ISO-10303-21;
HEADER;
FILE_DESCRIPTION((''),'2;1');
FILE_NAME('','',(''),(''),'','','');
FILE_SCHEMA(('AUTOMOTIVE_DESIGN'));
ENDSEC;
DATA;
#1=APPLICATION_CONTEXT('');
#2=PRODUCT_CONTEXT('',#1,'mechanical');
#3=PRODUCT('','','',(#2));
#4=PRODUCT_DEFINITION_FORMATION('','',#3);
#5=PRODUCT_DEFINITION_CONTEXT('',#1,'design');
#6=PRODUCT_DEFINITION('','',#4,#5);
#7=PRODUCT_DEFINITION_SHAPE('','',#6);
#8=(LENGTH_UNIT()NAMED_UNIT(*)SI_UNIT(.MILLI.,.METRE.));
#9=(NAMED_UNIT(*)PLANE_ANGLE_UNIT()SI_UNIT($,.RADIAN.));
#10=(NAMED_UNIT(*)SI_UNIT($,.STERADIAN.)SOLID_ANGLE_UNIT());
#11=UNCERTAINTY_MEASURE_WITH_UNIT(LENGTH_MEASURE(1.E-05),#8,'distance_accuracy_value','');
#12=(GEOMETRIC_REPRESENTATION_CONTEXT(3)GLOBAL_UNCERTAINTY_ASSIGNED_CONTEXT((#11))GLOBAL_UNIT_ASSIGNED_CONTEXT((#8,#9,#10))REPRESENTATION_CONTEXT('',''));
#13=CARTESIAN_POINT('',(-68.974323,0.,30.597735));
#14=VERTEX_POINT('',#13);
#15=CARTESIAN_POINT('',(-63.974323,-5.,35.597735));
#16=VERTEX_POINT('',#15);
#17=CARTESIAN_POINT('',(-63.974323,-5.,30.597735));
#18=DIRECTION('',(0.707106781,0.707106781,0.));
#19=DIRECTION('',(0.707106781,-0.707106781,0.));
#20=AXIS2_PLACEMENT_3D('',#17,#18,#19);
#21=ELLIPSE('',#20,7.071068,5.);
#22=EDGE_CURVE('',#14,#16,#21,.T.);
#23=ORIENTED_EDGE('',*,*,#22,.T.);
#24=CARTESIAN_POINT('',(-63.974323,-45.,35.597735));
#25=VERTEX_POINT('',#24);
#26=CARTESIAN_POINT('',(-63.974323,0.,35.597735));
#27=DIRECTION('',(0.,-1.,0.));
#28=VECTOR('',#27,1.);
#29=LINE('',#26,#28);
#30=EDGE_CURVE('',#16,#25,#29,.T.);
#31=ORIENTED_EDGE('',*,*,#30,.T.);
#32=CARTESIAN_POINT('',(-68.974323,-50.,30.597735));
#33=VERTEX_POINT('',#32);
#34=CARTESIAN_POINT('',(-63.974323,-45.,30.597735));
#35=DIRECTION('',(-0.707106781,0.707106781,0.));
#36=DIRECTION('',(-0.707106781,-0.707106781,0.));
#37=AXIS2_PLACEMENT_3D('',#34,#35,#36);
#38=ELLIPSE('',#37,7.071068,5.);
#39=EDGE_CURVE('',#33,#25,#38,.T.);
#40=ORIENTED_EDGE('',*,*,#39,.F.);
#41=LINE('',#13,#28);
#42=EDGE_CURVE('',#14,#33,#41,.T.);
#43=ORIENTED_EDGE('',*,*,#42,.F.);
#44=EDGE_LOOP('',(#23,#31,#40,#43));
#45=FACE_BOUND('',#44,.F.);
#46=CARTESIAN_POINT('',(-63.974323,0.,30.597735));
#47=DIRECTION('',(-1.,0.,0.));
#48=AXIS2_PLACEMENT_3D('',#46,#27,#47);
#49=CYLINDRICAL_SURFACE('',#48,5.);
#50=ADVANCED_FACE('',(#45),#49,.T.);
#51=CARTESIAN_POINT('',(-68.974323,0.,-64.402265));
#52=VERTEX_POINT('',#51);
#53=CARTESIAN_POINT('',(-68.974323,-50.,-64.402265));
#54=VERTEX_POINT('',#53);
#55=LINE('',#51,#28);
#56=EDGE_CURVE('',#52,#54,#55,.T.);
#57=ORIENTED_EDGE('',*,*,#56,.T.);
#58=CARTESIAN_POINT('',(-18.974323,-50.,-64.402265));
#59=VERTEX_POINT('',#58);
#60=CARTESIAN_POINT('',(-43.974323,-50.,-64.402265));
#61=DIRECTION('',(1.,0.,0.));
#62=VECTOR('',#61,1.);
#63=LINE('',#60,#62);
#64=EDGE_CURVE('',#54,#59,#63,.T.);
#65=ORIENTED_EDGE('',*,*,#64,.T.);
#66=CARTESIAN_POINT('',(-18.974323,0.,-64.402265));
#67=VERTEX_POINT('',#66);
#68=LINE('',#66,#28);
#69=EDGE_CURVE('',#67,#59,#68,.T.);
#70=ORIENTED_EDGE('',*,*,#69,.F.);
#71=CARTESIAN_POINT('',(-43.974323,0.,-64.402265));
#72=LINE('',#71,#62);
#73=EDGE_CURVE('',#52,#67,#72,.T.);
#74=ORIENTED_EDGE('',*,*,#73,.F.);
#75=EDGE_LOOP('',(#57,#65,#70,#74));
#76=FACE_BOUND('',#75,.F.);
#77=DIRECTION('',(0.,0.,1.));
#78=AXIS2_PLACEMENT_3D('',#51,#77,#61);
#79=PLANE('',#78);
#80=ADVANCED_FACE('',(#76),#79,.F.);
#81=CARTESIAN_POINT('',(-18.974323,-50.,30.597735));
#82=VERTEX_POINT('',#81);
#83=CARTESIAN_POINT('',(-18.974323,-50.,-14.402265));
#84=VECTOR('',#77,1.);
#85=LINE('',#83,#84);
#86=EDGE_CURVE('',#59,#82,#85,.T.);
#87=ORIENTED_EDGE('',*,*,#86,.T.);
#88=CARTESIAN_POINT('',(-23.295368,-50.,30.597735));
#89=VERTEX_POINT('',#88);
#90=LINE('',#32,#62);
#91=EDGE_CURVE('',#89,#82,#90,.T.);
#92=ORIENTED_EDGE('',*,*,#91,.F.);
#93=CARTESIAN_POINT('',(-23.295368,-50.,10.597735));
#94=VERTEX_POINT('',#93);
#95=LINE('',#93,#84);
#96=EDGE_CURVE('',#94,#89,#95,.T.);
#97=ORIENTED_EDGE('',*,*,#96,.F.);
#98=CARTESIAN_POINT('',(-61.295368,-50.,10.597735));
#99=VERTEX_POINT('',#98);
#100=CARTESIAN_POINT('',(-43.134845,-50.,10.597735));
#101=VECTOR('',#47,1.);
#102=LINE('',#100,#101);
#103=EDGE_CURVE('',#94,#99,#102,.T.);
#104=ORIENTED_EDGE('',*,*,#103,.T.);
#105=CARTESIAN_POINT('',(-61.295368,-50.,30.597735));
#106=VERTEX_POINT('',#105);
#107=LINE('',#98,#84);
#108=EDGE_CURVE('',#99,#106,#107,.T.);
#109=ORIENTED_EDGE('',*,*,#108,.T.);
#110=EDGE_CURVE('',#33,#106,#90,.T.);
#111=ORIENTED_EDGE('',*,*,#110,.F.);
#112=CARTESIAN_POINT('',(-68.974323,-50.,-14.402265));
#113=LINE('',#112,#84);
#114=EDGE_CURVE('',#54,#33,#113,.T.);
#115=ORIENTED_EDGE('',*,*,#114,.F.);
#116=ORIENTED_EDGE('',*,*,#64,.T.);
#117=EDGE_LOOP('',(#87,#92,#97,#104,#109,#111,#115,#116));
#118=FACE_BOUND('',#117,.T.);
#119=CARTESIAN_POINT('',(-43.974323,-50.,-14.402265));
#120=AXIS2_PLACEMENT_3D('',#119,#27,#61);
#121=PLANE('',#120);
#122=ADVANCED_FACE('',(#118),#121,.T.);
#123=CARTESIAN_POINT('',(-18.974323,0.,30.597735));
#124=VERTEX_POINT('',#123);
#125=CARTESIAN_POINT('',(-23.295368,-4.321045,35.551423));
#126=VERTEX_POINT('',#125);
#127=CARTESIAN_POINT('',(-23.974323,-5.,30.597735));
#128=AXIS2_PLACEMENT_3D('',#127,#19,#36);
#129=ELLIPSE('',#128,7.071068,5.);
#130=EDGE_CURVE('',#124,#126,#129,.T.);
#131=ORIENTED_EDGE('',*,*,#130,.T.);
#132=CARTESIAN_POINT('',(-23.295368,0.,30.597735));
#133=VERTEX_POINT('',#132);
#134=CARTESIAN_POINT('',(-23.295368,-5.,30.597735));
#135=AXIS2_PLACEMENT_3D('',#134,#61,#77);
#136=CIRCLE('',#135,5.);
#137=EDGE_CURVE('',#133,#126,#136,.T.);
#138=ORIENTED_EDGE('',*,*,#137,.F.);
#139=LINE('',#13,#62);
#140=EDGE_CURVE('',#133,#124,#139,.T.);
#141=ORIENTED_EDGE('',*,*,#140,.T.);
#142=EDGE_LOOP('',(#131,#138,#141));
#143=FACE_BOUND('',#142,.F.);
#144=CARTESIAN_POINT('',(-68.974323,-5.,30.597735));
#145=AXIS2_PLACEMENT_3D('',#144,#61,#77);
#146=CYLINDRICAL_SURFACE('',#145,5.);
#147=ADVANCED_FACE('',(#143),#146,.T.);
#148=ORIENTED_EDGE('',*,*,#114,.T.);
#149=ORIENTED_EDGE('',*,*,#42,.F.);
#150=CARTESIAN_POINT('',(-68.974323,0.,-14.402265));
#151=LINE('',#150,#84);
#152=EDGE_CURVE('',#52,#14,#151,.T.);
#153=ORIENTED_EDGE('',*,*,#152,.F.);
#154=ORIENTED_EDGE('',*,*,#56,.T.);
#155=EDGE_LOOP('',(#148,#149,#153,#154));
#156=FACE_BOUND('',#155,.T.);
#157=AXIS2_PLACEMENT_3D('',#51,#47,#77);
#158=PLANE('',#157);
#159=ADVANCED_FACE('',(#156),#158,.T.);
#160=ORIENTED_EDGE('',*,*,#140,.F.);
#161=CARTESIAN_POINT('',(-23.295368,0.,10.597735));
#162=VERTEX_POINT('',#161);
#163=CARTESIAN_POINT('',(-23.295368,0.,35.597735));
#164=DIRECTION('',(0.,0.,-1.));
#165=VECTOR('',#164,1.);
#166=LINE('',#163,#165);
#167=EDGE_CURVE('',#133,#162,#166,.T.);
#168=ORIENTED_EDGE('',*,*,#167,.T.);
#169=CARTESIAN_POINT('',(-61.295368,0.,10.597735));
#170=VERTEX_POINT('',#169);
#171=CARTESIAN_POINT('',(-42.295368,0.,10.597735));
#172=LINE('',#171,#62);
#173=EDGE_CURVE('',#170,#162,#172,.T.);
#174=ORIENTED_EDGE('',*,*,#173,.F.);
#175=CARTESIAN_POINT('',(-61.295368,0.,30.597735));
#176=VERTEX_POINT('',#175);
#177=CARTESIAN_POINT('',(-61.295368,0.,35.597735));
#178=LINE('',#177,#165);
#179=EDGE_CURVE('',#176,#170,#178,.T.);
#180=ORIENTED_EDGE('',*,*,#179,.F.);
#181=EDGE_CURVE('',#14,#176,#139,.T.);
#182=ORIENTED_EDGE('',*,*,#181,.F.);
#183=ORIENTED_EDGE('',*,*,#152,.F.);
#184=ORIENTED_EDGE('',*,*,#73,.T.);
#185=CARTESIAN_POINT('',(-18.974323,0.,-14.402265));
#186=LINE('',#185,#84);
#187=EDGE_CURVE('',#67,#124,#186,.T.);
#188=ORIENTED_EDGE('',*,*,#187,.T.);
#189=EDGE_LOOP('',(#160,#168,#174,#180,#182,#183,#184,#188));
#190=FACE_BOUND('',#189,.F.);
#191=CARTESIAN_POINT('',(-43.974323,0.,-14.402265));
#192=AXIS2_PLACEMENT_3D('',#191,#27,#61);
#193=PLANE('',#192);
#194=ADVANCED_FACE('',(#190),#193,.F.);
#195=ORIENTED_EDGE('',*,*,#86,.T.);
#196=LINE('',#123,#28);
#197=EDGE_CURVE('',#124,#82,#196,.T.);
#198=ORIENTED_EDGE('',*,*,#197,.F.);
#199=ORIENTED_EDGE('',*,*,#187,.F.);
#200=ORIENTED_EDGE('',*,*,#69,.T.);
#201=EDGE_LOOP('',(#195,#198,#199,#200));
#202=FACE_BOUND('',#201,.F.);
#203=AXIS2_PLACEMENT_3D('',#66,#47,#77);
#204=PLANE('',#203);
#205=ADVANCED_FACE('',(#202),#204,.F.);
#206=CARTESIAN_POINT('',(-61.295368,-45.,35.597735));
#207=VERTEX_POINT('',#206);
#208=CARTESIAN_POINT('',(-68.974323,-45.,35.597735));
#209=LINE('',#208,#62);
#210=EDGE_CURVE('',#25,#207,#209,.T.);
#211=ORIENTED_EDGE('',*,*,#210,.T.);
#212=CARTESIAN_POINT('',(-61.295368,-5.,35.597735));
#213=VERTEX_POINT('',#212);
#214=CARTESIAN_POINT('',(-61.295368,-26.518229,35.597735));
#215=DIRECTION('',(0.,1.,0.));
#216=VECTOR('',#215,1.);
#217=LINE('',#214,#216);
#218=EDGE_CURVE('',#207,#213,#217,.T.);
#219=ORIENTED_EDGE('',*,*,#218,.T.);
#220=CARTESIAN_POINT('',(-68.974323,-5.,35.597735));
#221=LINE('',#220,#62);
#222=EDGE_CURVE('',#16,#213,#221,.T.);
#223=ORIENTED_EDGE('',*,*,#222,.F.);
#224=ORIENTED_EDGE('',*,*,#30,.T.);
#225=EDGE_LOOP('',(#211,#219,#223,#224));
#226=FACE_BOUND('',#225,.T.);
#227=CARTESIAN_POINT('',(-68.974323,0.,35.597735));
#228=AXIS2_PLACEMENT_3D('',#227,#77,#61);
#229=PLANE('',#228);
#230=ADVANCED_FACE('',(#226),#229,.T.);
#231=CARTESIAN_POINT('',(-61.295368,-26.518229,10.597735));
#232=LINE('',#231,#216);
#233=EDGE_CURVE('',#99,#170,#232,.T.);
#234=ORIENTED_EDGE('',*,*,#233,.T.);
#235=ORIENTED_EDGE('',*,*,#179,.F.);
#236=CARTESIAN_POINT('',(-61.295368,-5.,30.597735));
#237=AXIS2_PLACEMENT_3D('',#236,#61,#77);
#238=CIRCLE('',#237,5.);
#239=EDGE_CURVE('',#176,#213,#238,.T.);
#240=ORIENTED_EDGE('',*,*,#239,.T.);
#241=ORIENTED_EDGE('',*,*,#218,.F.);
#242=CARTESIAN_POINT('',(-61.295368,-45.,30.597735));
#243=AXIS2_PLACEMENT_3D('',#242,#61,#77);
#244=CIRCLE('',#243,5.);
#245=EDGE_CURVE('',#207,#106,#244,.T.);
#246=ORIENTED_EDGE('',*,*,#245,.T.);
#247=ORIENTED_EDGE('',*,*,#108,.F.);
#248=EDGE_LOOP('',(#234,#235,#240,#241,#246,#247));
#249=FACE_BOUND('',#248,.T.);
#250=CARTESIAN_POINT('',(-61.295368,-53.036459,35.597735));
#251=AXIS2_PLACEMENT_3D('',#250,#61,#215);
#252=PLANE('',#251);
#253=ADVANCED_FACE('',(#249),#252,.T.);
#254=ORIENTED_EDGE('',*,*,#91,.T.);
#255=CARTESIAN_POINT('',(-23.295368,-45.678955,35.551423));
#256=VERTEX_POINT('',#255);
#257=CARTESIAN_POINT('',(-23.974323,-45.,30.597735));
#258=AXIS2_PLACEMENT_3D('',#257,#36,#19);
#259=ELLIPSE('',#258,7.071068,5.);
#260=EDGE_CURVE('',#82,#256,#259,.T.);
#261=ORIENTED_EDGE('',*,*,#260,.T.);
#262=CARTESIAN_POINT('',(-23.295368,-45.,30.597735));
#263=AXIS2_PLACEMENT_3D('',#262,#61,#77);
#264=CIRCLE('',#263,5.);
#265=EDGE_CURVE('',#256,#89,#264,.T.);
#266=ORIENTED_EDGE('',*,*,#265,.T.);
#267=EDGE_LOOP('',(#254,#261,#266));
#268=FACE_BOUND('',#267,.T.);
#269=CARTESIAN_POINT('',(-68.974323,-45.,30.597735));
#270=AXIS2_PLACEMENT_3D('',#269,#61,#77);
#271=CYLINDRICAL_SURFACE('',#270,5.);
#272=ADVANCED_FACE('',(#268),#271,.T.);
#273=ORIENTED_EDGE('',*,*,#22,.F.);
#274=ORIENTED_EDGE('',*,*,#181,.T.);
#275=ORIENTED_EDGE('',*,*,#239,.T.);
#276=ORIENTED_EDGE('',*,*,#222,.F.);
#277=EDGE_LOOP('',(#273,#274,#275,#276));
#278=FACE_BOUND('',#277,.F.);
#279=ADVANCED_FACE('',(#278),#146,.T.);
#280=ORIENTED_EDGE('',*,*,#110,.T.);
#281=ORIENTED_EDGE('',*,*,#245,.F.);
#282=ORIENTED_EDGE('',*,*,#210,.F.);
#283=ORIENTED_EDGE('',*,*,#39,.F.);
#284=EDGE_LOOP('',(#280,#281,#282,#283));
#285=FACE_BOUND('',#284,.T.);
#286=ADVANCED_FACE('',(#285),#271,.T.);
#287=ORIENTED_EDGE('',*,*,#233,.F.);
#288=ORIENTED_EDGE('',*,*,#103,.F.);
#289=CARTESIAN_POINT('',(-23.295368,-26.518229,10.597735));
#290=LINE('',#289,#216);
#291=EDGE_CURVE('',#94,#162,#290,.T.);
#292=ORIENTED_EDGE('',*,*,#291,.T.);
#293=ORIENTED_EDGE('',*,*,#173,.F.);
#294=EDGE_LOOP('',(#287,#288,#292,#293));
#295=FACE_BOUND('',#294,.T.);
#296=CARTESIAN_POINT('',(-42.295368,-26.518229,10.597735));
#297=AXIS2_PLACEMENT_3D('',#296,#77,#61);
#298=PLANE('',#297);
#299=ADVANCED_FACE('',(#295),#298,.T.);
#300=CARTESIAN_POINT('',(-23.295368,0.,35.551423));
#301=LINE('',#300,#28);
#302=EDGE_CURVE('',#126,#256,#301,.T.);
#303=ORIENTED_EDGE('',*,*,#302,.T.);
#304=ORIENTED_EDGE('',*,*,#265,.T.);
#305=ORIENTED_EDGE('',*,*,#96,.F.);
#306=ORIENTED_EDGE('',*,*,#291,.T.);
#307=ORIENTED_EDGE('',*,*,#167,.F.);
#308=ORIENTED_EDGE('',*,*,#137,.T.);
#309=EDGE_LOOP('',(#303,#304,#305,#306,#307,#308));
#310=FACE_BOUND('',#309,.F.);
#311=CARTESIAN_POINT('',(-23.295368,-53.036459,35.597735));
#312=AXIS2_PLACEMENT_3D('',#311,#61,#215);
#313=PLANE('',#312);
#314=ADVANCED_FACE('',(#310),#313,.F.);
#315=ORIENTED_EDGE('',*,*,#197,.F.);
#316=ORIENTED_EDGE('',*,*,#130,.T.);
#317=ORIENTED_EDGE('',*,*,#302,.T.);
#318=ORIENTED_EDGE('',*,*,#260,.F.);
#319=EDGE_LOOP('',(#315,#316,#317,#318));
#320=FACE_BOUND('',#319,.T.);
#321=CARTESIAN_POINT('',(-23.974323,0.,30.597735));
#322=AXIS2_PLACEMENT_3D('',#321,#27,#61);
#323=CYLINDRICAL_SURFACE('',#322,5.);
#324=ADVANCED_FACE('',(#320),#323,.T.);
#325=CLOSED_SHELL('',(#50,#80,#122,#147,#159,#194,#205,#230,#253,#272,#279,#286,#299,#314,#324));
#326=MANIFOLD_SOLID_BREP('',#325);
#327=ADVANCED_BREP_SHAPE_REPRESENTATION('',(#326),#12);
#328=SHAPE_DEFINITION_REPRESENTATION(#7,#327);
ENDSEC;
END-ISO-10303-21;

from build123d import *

# Parameters (mm, degrees)
F0_W     = 50
F0_H     = 100
F1_DEPTH = 50
F2_R     = 5
F4_W     = 38
F4_H     = 53.0364588497
F5_DEPTH = 25


with BuildPart() as f1:
    # F0 (on Front) → F1 (new body)
    with BuildSketch(Plane.XZ):
        with Locations((-43.9743227283, -14.4022647291)):
            Rectangle(F0_W, F0_H)
    extrude(amount=F1_DEPTH)

    # F2
    f2_edges = [f1.edges().sort_by_distance(p)[0] for p in [
        (-18.974323, -25, 35.597735),
        (-68.974323, -25, 35.597735),
        (-43.974323, 0, 35.597735),
        (-43.974323, -50, 35.597735),
    ]]
    fillet(f2_edges, radius=F2_R)

    # F4 (on face) → F5 (cut)
    with BuildSketch(Plane.XY.offset(35.5977352709)):
        with Locations((-42.2953676743, -26.5182294249)):
            Rectangle(F4_W, F4_H)
    extrude(amount=-F5_DEPTH, mode=Mode.SUBTRACT)


solid = f1.part
